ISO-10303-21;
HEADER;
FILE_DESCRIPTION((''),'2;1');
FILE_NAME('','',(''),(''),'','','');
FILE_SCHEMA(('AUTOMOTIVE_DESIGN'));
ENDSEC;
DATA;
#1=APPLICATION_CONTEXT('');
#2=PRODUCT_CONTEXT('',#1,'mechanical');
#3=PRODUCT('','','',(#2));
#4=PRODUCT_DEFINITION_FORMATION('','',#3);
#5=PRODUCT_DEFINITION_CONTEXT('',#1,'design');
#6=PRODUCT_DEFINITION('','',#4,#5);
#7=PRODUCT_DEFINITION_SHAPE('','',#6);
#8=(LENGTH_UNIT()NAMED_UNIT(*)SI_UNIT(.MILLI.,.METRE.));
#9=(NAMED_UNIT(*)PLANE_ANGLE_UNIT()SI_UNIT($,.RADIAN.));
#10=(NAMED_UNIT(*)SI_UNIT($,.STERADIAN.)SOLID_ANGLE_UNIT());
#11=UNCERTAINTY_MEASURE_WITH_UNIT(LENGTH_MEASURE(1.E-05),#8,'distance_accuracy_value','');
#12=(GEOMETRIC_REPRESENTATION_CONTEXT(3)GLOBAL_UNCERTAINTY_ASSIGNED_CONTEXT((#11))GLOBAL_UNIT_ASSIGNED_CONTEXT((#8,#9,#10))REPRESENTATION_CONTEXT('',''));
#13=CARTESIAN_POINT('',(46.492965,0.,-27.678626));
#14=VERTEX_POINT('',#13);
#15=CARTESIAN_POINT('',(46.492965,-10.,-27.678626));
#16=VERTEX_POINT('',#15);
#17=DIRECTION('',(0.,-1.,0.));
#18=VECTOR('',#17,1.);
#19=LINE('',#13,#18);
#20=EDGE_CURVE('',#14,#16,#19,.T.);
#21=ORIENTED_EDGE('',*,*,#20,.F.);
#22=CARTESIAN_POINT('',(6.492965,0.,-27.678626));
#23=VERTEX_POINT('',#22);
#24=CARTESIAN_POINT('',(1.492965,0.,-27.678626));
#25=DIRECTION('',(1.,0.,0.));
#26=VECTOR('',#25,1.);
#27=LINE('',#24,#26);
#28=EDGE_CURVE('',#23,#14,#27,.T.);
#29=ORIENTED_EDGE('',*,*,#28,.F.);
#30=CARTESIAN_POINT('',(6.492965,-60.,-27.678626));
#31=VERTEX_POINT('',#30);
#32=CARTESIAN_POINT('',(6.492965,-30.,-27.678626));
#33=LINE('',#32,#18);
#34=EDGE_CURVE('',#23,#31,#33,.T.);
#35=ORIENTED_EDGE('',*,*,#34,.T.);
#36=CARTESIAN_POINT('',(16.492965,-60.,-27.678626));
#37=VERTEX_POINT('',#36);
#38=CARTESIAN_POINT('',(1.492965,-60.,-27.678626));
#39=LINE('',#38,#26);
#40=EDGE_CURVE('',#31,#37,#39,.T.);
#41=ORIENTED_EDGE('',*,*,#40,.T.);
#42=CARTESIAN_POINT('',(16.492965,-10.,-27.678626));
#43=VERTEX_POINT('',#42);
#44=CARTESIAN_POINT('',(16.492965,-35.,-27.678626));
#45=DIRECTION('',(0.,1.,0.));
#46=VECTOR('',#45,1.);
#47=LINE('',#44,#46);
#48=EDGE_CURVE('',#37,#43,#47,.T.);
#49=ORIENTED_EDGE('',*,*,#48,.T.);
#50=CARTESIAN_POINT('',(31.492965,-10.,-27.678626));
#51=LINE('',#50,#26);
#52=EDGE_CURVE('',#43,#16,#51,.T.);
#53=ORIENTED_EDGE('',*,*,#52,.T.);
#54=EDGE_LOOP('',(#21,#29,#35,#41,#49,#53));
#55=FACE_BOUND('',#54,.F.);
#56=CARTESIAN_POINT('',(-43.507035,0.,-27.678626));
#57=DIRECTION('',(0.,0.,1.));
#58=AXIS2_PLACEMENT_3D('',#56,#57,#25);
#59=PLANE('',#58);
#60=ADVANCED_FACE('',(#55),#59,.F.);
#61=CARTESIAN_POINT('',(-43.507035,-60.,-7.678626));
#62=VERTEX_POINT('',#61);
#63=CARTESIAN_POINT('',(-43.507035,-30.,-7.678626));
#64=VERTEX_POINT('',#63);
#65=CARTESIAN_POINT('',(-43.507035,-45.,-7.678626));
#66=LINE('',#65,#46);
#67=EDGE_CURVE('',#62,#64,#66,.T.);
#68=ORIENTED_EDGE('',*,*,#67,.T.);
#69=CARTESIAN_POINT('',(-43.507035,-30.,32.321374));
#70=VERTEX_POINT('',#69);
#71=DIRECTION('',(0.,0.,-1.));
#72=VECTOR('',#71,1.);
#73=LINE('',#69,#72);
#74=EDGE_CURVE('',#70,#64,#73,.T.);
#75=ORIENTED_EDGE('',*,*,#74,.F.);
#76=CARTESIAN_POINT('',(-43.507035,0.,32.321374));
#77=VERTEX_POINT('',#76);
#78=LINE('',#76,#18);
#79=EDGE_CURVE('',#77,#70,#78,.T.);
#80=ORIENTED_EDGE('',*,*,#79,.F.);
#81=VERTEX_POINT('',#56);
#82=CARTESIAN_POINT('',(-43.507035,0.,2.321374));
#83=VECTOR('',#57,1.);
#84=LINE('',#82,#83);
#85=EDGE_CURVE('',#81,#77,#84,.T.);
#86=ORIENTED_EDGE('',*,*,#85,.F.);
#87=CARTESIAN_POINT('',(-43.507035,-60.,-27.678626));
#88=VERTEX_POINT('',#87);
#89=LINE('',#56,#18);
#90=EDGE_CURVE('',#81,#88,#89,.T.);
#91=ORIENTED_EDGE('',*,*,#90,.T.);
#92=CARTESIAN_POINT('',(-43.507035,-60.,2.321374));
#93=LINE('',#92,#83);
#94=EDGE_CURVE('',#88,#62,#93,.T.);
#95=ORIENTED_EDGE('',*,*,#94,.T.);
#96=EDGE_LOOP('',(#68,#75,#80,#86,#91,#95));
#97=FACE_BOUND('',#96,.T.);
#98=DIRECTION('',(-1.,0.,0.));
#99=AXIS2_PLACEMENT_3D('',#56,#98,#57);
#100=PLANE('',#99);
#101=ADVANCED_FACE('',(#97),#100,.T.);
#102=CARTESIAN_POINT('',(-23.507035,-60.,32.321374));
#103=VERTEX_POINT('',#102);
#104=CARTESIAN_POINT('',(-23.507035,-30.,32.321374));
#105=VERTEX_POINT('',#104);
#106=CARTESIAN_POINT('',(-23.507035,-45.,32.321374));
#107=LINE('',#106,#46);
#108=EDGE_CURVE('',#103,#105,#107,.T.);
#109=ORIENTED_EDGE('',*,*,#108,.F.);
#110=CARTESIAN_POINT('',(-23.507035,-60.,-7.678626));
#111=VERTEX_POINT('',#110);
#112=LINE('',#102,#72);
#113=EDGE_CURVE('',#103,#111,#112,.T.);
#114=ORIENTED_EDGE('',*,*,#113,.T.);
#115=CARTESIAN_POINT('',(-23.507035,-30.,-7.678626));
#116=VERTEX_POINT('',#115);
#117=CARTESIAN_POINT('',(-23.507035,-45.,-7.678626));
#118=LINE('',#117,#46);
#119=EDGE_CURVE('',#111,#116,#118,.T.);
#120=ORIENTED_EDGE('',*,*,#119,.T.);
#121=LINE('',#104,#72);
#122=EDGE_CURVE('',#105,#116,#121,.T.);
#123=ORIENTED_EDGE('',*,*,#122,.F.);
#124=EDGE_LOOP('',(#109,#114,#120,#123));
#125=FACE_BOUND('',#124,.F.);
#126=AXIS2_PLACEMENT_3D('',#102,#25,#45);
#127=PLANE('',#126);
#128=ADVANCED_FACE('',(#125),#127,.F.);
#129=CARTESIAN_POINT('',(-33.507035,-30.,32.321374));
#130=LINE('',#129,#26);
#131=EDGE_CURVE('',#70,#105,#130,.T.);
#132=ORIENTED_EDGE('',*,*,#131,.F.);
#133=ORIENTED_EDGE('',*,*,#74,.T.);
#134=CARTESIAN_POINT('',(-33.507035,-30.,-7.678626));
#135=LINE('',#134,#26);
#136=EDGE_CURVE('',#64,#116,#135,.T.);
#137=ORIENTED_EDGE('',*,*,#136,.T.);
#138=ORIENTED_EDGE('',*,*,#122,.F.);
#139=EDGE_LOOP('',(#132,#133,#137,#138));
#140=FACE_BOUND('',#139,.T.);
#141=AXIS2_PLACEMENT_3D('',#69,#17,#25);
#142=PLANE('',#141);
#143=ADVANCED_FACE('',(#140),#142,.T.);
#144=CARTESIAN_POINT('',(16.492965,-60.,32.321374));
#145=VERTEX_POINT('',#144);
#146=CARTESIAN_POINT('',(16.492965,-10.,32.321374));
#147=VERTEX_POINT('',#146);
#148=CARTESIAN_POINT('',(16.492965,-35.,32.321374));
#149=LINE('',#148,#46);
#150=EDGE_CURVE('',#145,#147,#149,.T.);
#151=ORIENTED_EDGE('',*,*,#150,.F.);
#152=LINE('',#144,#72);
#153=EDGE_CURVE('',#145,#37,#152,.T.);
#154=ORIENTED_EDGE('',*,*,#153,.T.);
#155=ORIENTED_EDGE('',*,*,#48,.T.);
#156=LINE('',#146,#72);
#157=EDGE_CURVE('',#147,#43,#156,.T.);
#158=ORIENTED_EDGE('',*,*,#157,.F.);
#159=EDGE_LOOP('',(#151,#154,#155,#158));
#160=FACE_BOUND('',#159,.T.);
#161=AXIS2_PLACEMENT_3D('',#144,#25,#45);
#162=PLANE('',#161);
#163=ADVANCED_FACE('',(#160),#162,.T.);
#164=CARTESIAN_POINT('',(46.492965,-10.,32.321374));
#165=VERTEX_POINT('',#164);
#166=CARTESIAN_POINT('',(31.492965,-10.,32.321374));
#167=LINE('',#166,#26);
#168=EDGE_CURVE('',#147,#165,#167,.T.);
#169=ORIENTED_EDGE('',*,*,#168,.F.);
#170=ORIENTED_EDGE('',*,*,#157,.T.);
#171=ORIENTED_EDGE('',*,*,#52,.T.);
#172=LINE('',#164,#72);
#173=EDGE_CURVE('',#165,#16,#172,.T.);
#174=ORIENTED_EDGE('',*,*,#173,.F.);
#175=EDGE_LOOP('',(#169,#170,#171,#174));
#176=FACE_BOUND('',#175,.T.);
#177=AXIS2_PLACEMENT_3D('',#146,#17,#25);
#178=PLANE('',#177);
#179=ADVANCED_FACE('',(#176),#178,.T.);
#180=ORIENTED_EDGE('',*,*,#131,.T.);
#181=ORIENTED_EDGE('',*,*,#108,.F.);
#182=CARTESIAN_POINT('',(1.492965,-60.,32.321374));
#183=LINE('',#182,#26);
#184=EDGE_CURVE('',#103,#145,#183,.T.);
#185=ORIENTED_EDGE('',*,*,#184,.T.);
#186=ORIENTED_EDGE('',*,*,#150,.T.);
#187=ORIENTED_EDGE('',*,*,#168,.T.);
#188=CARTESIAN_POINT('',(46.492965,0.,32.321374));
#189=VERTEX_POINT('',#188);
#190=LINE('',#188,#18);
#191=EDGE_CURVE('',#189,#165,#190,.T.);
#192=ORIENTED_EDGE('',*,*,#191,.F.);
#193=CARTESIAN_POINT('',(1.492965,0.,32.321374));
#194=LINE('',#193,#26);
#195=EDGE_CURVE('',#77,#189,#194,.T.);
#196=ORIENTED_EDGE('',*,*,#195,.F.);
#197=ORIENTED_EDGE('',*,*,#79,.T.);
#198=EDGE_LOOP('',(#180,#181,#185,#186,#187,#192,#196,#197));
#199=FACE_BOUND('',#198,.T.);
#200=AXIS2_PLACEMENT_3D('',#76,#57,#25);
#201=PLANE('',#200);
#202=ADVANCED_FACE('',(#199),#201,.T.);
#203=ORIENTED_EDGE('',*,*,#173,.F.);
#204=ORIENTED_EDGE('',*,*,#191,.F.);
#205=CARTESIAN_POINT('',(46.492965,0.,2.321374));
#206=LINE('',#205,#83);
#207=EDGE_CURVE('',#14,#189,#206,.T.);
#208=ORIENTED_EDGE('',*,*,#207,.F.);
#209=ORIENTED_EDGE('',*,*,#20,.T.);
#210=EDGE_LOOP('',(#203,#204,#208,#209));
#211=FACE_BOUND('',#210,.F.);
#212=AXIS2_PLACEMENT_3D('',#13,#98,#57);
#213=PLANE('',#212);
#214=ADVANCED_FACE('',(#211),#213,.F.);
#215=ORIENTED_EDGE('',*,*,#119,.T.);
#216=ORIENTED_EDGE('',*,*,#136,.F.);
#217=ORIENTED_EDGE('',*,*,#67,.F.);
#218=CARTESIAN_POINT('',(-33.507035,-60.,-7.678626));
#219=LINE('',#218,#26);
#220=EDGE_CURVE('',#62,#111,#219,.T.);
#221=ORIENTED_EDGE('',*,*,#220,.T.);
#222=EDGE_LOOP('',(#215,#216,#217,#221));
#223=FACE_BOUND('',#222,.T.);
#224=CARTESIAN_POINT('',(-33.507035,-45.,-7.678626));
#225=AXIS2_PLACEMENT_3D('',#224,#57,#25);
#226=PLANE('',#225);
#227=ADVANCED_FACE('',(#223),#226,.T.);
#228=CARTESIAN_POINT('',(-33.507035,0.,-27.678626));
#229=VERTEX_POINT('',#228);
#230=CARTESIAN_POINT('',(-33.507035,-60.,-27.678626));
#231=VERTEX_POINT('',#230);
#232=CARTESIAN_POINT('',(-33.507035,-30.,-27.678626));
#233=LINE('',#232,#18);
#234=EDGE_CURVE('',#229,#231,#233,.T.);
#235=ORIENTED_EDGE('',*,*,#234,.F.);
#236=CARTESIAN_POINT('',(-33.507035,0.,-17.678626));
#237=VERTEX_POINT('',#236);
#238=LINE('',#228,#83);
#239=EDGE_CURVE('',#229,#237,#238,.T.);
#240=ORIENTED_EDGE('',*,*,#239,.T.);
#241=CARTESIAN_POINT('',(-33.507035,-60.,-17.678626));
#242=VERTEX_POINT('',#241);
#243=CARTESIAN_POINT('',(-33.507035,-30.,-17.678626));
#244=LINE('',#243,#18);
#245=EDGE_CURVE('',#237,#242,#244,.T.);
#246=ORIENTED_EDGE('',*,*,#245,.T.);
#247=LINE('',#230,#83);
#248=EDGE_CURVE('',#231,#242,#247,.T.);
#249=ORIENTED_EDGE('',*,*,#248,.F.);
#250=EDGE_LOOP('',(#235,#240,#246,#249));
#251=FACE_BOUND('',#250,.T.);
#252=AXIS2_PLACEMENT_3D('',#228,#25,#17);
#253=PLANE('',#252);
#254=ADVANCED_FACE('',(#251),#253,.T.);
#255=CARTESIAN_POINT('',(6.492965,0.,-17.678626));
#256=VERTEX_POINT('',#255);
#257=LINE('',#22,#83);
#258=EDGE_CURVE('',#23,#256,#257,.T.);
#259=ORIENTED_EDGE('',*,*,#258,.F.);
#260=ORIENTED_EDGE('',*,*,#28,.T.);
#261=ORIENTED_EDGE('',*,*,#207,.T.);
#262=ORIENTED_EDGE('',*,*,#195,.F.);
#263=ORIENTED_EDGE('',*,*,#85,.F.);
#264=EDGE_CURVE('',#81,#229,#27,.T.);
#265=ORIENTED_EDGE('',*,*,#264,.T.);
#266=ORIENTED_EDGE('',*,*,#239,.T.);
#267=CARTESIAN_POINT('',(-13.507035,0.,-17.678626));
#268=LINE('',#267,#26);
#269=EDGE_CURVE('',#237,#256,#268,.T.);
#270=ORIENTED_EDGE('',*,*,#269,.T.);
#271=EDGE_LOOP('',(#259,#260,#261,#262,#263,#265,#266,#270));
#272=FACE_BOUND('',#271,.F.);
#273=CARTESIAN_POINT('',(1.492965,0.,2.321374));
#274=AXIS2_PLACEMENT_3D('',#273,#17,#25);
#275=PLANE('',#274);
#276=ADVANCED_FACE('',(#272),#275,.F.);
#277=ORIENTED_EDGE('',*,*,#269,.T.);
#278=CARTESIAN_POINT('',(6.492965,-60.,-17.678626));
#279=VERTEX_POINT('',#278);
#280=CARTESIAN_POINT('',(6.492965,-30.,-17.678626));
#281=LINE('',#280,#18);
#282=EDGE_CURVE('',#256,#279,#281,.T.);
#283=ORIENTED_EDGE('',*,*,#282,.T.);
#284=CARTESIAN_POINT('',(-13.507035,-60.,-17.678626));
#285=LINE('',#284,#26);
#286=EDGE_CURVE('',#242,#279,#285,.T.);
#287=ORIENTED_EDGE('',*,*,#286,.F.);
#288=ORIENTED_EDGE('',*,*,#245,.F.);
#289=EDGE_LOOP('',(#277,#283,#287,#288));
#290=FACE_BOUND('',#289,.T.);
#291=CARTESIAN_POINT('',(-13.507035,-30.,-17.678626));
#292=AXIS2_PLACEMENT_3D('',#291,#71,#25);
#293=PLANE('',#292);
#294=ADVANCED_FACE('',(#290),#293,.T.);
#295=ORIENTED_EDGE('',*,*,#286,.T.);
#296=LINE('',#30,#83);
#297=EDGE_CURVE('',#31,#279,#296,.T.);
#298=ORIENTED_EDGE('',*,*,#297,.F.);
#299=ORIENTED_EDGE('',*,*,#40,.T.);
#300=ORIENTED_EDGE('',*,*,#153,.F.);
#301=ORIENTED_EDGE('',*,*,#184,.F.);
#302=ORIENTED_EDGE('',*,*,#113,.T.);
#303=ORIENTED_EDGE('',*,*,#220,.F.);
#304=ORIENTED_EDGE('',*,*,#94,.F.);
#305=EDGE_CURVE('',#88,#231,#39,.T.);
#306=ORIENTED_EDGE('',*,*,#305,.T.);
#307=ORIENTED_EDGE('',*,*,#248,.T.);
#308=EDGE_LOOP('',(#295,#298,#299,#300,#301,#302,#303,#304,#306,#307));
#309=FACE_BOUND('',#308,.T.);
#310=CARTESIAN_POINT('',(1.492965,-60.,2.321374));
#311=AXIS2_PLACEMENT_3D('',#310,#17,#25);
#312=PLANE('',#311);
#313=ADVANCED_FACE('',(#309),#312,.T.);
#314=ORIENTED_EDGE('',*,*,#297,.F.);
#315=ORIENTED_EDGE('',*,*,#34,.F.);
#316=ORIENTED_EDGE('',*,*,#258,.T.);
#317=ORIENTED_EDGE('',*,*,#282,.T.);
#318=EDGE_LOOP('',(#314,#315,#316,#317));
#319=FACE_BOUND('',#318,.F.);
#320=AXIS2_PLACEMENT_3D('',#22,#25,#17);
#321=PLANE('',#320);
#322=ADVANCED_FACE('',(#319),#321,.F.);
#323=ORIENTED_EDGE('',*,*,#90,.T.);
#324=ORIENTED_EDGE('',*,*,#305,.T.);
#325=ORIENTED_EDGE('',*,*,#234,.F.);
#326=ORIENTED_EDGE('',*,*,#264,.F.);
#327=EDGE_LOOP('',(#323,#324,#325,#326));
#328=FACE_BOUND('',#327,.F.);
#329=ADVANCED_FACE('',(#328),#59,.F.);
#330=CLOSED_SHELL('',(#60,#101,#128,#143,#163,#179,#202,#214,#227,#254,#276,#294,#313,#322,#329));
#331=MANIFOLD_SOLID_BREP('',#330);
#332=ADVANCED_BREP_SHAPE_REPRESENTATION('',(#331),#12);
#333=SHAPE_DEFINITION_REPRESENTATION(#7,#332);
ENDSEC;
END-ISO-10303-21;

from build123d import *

# Parameters (mm, degrees)
F0_W     = 90
F0_H     = 60
F1_DEPTH = 60
F2_W     = 30
F2_H     = 50
F3_DEPTH = 60
F4_W     = 20
F4_H     = 30
F5_DEPTH = 40
F6_W     = 40
F6_H     = 60
F7_DEPTH = 10


with BuildPart() as f1:
    # F0 (on Front) → F1 (new body)
    with BuildSketch(Plane.XZ):
        with Locations((1.492965, 2.321374)):
            Rectangle(F0_W, F0_H)
    extrude(amount=F1_DEPTH)

    # F2 (on face) → F3 (cut)
    with BuildSketch(Plane.XY.offset(32.321374)):
        with Locations((31.492965, -35)):
            Rectangle(F2_W, F2_H)
    extrude(amount=-F3_DEPTH, mode=Mode.SUBTRACT)

    # F4 (on face) → F5 (cut)
    with BuildSketch(Plane.XY.offset(32.321374)):
        with Locations((-33.507035, -45)):
            Rectangle(F4_W, F4_H)
    extrude(amount=-F5_DEPTH, mode=Mode.SUBTRACT)

    # F6 (on face) → F7 (cut)
    with BuildSketch(Plane(origin=(0, 0, -27.678626), x_dir=(1, 0, 0), z_dir=(0, 0, -1))):
        with Locations((-13.507035, 30)):
            Rectangle(F6_W, F6_H)
    extrude(amount=-F7_DEPTH, mode=Mode.SUBTRACT)


solid = f1.part
